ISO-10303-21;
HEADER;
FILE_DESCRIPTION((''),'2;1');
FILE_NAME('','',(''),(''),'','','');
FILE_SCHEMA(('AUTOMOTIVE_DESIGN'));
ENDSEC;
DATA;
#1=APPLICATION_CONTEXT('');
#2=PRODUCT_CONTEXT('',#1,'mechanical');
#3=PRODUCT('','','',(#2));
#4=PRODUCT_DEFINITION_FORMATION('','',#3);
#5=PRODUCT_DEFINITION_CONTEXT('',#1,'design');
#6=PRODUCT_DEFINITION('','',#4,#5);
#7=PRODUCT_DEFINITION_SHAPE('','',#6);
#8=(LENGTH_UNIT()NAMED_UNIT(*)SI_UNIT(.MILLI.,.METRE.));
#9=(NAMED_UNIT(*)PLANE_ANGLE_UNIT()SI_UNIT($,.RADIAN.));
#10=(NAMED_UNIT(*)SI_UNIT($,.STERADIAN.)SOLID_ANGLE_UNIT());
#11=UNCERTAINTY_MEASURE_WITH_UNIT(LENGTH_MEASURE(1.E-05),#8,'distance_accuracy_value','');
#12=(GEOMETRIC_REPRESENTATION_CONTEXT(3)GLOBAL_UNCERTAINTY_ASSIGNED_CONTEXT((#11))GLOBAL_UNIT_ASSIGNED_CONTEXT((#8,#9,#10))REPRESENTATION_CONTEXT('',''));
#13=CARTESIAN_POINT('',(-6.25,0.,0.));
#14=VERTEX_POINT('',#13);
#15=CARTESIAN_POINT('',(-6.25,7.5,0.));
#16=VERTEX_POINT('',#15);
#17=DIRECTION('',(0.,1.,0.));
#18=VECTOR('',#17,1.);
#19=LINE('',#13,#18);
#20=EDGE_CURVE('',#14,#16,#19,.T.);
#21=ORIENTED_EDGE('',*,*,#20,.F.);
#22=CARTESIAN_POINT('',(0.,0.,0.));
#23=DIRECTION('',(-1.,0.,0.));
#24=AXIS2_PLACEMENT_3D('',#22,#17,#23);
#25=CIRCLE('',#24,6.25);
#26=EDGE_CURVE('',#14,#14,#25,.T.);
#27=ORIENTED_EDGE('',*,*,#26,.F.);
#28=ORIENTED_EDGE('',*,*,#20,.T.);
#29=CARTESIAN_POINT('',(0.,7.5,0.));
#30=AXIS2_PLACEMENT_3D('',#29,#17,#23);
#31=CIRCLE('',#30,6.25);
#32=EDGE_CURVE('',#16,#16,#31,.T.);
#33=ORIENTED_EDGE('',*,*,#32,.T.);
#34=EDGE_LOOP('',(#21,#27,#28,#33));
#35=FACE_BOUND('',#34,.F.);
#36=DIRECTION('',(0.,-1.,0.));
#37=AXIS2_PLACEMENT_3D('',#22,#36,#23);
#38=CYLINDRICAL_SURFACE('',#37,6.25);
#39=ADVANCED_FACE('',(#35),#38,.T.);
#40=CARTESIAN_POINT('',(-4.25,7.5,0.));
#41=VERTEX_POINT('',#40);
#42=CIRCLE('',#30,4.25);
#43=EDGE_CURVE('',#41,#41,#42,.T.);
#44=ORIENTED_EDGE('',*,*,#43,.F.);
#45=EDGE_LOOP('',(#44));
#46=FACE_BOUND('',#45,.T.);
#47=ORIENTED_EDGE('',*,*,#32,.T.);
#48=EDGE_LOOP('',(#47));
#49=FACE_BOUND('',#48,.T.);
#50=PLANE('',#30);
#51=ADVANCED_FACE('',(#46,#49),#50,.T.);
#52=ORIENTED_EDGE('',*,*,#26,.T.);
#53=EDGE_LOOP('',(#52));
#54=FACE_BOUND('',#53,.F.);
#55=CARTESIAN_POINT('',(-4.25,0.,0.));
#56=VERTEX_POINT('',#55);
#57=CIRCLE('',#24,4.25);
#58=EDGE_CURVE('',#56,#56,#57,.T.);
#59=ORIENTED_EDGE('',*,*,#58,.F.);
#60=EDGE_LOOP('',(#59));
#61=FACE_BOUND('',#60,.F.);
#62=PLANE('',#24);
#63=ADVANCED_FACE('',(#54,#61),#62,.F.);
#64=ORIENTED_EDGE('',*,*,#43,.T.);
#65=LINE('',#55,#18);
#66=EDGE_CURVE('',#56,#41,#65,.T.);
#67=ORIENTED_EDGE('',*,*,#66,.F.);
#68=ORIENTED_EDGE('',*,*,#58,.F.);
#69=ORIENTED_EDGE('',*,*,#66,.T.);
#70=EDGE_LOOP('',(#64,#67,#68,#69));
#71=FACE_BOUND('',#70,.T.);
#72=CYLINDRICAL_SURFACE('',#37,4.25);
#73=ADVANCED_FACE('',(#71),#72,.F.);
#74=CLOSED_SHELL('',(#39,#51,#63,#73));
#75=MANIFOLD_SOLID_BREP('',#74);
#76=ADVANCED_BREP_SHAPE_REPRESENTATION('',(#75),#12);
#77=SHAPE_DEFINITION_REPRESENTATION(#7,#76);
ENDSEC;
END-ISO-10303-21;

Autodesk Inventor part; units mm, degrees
ref_plane "YZ Plane" through (0, 0, 0) normal (1, 0, 0) x (0, 1, 0)
ref_plane "XZ Plane" through (0, 0, 0) normal (0, 1, 0) x (-1, 0, 0)
ref_plane "XY Plane" through (0, 0, 0) normal (0, 0, 1) x (1, 0, 0)
sketch "Sketch1" plane through (0, 0, 0) normal (0, 1, 0) x (-1, 0, 0)
  point P0 (0, 0)
sketch "Sketch2" plane through (0, 0, 0) normal (0, 1, 0) x (-1, 0, 0)
  circle A0 centre (0, 0) radius 4.25
  circle A1 centre (0, 0) radius 6.25
  dimension "d0" = 8.5
  dimension "d1" = 12.5
extrude "Extrusion1" add sketch "Sketch2" along normal blind 7.5
properties part number "SCDHolderExtender"
